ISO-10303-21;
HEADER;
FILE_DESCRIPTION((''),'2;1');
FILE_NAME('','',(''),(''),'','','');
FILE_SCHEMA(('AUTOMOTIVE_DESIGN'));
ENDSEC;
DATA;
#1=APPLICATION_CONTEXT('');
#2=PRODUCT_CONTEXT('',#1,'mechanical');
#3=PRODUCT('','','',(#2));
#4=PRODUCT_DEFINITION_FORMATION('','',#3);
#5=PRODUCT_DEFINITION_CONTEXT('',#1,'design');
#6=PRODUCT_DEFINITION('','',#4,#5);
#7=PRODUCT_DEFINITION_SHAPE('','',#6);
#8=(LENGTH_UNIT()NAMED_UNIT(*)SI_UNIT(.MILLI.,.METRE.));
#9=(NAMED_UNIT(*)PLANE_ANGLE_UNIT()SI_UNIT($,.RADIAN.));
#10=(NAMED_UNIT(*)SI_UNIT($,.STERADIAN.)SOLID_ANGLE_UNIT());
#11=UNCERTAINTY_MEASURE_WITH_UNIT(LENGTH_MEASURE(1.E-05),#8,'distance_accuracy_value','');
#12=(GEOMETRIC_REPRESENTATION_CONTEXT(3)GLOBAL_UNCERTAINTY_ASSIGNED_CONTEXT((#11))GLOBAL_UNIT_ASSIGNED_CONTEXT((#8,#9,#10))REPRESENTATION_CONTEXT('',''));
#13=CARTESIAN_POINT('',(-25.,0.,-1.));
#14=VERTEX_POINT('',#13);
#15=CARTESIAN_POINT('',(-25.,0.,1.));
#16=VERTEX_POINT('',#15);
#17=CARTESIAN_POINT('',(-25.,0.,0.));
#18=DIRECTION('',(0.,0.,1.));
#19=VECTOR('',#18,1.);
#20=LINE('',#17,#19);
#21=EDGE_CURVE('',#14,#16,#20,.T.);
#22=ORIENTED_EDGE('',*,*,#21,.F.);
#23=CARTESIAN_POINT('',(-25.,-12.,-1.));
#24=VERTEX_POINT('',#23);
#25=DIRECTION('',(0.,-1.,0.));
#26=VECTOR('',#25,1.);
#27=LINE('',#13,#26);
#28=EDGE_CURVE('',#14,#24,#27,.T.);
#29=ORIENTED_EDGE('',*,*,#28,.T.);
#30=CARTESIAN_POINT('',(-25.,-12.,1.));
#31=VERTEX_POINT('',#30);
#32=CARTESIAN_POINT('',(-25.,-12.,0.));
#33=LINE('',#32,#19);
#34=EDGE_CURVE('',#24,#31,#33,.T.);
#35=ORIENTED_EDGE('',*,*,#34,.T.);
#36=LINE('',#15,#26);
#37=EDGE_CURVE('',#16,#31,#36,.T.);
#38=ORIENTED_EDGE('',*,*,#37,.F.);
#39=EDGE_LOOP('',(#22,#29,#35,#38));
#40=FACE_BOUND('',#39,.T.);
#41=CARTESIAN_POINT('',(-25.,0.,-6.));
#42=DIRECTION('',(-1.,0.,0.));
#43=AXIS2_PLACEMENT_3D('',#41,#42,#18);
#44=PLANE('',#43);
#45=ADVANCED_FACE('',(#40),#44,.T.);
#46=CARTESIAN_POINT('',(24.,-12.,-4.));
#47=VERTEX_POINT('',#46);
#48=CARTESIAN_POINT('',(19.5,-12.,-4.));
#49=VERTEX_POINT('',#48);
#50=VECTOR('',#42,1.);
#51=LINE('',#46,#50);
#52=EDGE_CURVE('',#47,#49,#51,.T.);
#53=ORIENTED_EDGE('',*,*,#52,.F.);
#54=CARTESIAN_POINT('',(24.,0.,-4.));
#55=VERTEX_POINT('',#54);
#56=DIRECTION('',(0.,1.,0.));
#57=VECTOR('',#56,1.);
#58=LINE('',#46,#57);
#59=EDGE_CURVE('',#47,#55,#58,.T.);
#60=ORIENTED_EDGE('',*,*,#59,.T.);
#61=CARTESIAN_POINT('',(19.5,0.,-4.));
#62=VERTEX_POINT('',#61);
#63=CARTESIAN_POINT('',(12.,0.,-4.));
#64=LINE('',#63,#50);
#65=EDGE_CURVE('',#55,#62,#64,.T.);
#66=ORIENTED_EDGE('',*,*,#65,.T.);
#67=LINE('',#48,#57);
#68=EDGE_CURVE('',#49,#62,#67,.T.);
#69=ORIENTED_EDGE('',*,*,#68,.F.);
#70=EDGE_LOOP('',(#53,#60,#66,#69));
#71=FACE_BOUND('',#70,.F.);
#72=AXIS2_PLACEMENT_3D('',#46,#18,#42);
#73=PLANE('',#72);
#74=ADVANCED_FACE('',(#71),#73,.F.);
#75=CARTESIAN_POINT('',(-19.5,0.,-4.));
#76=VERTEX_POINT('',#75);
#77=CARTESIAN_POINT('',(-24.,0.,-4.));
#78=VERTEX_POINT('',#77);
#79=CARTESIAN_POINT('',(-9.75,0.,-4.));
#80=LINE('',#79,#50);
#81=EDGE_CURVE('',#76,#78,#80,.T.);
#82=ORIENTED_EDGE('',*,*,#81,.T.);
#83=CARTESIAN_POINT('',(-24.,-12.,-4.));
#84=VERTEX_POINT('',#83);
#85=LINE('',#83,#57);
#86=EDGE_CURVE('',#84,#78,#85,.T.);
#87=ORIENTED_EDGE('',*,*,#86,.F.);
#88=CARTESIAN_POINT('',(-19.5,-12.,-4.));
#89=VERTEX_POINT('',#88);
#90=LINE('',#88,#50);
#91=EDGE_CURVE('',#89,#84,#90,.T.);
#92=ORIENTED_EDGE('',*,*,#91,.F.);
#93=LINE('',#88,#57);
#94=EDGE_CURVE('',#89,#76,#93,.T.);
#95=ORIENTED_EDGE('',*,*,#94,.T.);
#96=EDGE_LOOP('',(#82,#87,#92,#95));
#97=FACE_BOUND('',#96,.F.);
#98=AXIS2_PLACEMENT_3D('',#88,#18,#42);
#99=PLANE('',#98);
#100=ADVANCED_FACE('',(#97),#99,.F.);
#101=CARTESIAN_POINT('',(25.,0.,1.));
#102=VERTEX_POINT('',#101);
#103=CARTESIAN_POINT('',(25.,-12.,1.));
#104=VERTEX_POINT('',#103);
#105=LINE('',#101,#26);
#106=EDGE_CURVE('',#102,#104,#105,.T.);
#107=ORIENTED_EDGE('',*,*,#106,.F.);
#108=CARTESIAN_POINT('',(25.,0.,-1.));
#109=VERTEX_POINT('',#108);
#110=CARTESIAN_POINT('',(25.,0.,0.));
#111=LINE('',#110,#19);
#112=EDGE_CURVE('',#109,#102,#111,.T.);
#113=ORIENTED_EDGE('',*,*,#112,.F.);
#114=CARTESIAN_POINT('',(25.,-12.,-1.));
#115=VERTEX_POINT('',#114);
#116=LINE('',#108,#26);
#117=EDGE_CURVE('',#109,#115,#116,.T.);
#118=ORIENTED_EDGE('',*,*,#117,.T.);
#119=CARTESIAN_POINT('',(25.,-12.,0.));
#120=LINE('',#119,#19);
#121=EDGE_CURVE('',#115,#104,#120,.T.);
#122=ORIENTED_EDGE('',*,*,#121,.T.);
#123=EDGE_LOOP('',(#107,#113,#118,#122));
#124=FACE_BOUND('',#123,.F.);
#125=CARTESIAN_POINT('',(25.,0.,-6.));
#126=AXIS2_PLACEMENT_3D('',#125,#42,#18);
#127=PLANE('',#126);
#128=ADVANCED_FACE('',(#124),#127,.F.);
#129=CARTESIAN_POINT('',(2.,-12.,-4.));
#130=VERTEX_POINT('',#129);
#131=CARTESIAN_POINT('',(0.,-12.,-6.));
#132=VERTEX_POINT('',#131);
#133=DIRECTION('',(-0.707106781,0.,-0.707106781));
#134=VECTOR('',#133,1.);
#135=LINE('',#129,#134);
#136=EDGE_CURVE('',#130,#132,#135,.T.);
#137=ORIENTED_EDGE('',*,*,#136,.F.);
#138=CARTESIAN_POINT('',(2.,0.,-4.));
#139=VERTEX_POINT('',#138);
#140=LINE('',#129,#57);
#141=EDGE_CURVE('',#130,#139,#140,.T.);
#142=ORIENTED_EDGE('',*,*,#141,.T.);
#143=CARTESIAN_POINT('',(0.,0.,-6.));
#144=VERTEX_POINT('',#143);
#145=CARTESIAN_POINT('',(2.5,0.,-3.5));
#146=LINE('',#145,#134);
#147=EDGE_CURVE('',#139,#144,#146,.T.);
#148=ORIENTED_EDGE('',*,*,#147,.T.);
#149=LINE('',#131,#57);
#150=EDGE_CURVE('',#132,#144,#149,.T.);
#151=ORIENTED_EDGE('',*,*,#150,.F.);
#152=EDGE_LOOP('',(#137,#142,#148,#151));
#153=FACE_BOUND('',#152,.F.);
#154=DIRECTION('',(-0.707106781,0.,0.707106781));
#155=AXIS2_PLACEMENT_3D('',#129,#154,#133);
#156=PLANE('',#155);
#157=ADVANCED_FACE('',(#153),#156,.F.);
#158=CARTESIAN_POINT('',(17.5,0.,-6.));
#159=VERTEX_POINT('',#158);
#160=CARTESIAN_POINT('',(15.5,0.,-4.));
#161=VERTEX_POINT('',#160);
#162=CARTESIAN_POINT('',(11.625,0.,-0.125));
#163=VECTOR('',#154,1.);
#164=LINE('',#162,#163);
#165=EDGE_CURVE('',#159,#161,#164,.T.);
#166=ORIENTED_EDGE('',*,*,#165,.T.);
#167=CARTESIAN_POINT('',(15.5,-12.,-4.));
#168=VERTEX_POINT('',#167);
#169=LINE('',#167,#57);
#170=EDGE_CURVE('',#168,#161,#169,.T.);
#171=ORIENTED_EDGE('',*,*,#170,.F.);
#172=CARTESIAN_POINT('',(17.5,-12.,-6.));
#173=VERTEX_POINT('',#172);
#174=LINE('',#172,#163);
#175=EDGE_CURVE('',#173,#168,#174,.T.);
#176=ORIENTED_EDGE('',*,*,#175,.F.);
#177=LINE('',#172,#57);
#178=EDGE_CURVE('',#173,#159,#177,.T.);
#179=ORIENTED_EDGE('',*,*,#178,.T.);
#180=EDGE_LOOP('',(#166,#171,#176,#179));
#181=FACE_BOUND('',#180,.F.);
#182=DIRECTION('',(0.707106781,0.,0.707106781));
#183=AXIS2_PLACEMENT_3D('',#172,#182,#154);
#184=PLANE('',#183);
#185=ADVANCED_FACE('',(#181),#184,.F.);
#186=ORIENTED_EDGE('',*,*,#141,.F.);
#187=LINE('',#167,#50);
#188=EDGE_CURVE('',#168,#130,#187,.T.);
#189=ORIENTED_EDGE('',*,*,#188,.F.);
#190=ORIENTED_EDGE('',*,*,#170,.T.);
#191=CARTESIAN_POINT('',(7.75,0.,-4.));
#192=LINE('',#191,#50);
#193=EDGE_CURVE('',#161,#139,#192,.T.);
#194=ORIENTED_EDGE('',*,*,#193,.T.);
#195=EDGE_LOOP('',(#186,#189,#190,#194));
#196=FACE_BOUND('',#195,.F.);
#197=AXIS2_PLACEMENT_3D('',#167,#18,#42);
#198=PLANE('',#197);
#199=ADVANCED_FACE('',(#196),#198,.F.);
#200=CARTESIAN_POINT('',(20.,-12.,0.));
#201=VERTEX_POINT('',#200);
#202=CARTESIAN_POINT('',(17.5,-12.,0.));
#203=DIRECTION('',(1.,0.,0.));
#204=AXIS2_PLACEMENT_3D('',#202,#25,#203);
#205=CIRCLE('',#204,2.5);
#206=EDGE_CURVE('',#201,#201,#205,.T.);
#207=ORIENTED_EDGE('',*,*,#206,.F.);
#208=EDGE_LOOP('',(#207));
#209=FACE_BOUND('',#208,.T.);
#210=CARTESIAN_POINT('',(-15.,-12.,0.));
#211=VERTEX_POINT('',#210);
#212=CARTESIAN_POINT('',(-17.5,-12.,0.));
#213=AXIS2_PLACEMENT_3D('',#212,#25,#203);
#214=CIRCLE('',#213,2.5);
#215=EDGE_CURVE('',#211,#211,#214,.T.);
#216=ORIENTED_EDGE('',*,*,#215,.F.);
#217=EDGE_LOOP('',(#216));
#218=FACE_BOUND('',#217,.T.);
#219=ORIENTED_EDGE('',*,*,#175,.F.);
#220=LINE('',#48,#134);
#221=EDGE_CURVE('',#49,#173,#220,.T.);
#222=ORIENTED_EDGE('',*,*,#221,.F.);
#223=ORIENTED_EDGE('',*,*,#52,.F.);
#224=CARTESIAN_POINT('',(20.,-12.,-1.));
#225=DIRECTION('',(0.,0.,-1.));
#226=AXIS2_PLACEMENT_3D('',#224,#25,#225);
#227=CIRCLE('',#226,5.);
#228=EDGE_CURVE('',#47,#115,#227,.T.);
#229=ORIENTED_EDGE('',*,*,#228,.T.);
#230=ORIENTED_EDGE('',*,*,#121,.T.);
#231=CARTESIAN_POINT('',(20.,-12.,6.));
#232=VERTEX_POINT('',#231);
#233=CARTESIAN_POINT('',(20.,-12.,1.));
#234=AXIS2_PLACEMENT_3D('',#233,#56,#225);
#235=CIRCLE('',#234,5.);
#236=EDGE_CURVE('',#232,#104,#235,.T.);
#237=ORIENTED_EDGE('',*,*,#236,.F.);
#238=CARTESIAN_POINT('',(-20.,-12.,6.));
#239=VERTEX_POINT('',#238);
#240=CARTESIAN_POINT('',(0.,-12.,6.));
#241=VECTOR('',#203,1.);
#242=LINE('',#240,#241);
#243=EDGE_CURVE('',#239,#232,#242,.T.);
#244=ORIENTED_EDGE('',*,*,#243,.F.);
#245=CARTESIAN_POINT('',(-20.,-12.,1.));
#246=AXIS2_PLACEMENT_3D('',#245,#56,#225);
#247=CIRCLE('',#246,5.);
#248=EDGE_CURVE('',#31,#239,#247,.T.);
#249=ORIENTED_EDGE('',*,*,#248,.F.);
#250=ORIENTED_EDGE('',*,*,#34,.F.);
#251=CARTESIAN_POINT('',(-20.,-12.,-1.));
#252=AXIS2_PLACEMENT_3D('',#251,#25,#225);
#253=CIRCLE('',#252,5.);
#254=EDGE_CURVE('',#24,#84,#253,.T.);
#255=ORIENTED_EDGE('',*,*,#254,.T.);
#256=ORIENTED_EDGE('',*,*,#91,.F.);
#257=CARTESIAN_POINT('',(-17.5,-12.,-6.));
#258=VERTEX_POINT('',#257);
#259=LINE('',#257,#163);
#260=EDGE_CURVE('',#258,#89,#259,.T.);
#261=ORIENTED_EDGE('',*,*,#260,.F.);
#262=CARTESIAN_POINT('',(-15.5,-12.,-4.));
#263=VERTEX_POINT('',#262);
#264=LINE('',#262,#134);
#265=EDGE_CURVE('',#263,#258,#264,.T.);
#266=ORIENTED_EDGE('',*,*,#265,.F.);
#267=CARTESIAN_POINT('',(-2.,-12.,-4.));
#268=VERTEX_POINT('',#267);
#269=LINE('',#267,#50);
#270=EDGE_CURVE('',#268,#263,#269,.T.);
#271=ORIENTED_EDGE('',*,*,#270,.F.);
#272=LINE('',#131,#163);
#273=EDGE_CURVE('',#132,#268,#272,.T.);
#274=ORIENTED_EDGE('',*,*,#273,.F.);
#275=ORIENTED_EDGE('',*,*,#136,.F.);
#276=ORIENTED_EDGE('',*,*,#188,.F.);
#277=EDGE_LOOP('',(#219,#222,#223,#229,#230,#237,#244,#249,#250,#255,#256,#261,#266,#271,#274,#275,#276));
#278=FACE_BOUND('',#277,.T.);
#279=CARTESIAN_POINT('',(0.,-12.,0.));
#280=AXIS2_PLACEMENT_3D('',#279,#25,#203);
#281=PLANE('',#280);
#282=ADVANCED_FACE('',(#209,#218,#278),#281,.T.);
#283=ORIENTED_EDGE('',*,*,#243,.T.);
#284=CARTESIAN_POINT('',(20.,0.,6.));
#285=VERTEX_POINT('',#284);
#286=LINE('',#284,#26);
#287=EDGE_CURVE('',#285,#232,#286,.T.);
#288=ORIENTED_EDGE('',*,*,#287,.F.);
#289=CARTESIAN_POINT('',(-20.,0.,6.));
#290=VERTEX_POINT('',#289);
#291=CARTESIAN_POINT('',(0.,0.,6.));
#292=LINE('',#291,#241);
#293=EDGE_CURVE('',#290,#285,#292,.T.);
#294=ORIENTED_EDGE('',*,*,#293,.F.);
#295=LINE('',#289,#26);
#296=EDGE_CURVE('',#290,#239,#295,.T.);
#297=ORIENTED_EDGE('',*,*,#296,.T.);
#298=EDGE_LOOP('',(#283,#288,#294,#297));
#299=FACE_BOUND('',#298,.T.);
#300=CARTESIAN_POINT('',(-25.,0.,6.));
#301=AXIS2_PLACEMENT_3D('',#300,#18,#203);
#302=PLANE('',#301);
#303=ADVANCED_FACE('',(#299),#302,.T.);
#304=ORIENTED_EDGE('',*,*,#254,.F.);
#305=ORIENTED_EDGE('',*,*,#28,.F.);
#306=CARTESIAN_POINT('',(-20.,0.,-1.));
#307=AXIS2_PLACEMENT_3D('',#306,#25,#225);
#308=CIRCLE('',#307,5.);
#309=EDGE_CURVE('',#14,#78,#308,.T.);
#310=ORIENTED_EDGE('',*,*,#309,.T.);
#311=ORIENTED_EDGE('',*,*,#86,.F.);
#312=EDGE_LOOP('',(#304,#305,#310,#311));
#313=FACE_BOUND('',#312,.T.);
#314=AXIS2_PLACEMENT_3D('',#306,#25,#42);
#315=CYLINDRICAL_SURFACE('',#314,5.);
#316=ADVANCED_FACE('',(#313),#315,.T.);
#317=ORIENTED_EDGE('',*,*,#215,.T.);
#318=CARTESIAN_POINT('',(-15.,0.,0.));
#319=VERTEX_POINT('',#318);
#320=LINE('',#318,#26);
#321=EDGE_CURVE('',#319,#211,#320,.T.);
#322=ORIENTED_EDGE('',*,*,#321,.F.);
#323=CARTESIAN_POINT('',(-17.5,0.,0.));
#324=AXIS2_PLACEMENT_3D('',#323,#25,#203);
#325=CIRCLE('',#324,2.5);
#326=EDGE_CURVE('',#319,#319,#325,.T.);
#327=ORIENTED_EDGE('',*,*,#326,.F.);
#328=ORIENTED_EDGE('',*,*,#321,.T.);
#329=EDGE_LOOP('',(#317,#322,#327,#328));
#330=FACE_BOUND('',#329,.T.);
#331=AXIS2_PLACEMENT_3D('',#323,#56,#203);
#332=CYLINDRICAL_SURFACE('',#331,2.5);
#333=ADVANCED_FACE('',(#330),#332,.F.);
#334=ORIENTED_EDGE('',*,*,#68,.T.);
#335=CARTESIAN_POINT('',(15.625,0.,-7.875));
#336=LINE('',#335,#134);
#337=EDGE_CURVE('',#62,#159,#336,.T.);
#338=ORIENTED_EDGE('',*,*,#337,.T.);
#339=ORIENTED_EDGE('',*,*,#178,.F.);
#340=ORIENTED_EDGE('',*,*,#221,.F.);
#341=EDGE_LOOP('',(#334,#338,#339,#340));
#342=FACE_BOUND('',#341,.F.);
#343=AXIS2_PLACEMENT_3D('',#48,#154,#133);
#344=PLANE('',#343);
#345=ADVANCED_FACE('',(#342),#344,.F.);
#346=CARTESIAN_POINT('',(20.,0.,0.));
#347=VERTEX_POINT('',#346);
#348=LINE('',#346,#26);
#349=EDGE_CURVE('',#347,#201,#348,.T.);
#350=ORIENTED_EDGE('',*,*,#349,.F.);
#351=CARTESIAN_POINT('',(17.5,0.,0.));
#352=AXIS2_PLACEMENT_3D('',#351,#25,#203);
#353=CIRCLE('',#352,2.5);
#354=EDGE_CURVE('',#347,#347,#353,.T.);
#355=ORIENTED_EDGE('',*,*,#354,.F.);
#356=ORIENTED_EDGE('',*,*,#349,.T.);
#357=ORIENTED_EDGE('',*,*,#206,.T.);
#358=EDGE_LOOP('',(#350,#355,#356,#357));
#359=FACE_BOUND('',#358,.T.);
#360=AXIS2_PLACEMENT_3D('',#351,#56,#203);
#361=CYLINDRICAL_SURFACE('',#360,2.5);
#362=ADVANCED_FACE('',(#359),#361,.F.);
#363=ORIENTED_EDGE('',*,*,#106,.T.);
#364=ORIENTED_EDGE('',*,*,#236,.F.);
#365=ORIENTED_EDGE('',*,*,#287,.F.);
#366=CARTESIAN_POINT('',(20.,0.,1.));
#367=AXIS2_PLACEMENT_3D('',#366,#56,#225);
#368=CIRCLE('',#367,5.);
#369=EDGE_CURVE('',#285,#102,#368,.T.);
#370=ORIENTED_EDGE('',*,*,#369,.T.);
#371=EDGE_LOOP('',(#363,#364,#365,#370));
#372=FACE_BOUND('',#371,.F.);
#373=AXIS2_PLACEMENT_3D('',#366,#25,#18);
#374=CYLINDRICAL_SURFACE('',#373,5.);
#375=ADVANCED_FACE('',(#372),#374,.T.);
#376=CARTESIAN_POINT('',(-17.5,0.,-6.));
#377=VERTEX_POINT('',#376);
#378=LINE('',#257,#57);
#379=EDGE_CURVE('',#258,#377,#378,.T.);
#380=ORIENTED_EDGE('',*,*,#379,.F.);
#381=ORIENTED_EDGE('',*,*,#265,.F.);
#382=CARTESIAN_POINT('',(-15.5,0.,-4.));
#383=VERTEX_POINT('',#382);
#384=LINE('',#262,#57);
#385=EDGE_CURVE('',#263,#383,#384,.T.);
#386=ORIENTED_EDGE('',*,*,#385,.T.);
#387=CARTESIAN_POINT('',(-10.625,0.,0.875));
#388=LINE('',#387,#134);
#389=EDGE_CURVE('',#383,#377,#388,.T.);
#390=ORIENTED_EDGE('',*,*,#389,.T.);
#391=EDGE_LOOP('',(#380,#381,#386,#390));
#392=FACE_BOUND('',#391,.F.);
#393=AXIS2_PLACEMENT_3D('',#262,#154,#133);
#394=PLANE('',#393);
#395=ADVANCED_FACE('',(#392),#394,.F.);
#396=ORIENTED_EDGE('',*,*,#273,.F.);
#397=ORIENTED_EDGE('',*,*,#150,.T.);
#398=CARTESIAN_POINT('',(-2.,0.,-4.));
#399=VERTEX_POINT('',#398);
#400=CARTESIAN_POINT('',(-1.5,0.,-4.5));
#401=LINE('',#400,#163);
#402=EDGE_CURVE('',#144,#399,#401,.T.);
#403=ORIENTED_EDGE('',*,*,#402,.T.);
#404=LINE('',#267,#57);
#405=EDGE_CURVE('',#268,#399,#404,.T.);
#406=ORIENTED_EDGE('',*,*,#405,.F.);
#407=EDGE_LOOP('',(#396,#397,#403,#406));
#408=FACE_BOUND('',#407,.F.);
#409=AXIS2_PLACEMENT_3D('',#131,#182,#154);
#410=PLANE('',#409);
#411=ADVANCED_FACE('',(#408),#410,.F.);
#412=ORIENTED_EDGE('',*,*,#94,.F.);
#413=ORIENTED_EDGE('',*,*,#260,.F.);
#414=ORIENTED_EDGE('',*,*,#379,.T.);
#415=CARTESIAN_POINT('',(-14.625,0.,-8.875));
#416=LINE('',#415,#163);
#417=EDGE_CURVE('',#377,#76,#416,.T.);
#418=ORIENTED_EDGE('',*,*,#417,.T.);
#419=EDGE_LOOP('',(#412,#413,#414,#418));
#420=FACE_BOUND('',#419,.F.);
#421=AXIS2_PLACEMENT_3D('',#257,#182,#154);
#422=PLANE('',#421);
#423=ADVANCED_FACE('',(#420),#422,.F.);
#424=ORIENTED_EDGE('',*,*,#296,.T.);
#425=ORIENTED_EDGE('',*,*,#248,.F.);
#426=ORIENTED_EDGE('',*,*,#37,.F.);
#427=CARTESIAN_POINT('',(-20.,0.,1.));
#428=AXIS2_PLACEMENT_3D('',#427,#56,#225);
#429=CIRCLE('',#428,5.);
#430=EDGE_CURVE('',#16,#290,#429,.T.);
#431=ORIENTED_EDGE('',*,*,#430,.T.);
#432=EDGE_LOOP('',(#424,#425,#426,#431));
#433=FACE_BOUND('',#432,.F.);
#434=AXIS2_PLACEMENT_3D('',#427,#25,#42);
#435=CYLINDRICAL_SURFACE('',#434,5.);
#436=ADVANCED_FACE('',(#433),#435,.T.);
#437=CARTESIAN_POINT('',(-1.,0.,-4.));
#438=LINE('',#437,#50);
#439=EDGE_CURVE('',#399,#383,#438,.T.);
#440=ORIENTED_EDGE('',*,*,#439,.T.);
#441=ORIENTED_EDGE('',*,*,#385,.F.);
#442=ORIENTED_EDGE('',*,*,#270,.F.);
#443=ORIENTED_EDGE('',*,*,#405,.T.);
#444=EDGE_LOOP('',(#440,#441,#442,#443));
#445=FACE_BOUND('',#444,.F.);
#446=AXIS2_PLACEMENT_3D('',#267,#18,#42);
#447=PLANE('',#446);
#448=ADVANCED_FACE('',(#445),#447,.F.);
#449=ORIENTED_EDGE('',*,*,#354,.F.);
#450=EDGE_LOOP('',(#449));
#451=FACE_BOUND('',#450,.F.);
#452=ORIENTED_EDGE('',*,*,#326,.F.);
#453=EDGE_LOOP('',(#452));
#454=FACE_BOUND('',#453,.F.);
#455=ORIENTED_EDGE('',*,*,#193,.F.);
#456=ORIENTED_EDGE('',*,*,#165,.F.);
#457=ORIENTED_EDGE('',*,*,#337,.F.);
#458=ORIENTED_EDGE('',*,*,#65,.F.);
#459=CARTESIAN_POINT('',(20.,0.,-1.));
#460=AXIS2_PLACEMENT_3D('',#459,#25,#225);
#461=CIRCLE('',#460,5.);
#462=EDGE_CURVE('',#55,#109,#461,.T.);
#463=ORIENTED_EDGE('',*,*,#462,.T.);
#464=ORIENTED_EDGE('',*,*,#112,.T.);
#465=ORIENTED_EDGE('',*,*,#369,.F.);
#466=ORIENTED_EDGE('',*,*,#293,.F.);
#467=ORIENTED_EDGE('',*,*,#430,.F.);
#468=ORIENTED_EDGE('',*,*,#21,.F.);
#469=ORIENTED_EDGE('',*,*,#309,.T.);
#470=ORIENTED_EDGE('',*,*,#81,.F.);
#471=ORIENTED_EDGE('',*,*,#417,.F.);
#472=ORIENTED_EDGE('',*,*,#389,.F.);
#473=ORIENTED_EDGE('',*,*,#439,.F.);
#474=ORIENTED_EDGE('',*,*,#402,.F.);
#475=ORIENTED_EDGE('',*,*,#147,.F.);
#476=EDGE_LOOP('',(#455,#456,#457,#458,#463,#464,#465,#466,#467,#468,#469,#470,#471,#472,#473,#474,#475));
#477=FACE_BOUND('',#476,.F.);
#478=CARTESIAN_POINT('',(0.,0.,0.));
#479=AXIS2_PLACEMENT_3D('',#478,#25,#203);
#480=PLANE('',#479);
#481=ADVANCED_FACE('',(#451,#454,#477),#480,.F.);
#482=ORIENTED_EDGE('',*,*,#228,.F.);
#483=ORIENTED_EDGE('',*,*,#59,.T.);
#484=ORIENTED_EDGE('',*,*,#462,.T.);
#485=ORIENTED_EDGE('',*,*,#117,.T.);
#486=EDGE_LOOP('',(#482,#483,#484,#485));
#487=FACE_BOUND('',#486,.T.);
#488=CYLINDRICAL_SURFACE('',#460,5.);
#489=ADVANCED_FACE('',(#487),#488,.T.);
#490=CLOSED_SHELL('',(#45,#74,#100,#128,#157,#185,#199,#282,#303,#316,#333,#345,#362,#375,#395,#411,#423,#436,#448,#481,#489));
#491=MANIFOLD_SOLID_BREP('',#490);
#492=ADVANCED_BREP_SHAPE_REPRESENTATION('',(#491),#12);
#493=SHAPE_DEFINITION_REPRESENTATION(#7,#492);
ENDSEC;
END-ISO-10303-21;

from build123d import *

# Parameters (mm, degrees)
F0_W     = 50
F0_H     = 12
F0_R     = 2.5
F1_DEPTH = 12
F2_R     = 5
F4_DEPTH = 25


with BuildPart() as f1:
    # F0 (on Front) → F1 (new body)
    with BuildSketch(Plane.XZ):
        Rectangle(F0_W, F0_H)
        with Locations((-17.5, 0)):
            Circle(F0_R, mode=Mode.SUBTRACT)
        with Locations((17.5, 0)):
            Circle(F0_R, mode=Mode.SUBTRACT)
    extrude(amount=F1_DEPTH)

    # F2
    f2_edges = [f1.edges().sort_by_distance(p)[0] for p in [
        (-25, -6, 6),
        (25, -6, 6),
        (25, -6, -6),
        (-25, -6, -6),
    ]]
    fillet(f2_edges, radius=F2_R)

    # F3 (on face) → F4 (cut)
    with BuildSketch(Plane.XZ.offset(12)):
        Polygon((2, -4), (0, -6), (17.5, -6), (15.5, -4), align=None)
        Polygon((-17.5, -6), (0, -6), (-2, -4), (-15.5, -4), align=None)
        with BuildLine():
            Line((19.5, -4), (17.5, -6))
            Line((17.5, -6), (20, -6))
            ThreePointArc((20, -6), (22.236068, -5.472136), (24, -4))
            Line((24, -4), (19.5, -4))
        make_face()
        with BuildLine():
            Line((-20, -6), (-17.5, -6))
            Line((-17.5, -6), (-19.5, -4))
            Line((-19.5, -4), (-24, -4))
            ThreePointArc((-24, -4), (-22.236068, -5.472136), (-20, -6))
        make_face()
    extrude(amount=-F4_DEPTH, mode=Mode.SUBTRACT)


solid = f1.part
